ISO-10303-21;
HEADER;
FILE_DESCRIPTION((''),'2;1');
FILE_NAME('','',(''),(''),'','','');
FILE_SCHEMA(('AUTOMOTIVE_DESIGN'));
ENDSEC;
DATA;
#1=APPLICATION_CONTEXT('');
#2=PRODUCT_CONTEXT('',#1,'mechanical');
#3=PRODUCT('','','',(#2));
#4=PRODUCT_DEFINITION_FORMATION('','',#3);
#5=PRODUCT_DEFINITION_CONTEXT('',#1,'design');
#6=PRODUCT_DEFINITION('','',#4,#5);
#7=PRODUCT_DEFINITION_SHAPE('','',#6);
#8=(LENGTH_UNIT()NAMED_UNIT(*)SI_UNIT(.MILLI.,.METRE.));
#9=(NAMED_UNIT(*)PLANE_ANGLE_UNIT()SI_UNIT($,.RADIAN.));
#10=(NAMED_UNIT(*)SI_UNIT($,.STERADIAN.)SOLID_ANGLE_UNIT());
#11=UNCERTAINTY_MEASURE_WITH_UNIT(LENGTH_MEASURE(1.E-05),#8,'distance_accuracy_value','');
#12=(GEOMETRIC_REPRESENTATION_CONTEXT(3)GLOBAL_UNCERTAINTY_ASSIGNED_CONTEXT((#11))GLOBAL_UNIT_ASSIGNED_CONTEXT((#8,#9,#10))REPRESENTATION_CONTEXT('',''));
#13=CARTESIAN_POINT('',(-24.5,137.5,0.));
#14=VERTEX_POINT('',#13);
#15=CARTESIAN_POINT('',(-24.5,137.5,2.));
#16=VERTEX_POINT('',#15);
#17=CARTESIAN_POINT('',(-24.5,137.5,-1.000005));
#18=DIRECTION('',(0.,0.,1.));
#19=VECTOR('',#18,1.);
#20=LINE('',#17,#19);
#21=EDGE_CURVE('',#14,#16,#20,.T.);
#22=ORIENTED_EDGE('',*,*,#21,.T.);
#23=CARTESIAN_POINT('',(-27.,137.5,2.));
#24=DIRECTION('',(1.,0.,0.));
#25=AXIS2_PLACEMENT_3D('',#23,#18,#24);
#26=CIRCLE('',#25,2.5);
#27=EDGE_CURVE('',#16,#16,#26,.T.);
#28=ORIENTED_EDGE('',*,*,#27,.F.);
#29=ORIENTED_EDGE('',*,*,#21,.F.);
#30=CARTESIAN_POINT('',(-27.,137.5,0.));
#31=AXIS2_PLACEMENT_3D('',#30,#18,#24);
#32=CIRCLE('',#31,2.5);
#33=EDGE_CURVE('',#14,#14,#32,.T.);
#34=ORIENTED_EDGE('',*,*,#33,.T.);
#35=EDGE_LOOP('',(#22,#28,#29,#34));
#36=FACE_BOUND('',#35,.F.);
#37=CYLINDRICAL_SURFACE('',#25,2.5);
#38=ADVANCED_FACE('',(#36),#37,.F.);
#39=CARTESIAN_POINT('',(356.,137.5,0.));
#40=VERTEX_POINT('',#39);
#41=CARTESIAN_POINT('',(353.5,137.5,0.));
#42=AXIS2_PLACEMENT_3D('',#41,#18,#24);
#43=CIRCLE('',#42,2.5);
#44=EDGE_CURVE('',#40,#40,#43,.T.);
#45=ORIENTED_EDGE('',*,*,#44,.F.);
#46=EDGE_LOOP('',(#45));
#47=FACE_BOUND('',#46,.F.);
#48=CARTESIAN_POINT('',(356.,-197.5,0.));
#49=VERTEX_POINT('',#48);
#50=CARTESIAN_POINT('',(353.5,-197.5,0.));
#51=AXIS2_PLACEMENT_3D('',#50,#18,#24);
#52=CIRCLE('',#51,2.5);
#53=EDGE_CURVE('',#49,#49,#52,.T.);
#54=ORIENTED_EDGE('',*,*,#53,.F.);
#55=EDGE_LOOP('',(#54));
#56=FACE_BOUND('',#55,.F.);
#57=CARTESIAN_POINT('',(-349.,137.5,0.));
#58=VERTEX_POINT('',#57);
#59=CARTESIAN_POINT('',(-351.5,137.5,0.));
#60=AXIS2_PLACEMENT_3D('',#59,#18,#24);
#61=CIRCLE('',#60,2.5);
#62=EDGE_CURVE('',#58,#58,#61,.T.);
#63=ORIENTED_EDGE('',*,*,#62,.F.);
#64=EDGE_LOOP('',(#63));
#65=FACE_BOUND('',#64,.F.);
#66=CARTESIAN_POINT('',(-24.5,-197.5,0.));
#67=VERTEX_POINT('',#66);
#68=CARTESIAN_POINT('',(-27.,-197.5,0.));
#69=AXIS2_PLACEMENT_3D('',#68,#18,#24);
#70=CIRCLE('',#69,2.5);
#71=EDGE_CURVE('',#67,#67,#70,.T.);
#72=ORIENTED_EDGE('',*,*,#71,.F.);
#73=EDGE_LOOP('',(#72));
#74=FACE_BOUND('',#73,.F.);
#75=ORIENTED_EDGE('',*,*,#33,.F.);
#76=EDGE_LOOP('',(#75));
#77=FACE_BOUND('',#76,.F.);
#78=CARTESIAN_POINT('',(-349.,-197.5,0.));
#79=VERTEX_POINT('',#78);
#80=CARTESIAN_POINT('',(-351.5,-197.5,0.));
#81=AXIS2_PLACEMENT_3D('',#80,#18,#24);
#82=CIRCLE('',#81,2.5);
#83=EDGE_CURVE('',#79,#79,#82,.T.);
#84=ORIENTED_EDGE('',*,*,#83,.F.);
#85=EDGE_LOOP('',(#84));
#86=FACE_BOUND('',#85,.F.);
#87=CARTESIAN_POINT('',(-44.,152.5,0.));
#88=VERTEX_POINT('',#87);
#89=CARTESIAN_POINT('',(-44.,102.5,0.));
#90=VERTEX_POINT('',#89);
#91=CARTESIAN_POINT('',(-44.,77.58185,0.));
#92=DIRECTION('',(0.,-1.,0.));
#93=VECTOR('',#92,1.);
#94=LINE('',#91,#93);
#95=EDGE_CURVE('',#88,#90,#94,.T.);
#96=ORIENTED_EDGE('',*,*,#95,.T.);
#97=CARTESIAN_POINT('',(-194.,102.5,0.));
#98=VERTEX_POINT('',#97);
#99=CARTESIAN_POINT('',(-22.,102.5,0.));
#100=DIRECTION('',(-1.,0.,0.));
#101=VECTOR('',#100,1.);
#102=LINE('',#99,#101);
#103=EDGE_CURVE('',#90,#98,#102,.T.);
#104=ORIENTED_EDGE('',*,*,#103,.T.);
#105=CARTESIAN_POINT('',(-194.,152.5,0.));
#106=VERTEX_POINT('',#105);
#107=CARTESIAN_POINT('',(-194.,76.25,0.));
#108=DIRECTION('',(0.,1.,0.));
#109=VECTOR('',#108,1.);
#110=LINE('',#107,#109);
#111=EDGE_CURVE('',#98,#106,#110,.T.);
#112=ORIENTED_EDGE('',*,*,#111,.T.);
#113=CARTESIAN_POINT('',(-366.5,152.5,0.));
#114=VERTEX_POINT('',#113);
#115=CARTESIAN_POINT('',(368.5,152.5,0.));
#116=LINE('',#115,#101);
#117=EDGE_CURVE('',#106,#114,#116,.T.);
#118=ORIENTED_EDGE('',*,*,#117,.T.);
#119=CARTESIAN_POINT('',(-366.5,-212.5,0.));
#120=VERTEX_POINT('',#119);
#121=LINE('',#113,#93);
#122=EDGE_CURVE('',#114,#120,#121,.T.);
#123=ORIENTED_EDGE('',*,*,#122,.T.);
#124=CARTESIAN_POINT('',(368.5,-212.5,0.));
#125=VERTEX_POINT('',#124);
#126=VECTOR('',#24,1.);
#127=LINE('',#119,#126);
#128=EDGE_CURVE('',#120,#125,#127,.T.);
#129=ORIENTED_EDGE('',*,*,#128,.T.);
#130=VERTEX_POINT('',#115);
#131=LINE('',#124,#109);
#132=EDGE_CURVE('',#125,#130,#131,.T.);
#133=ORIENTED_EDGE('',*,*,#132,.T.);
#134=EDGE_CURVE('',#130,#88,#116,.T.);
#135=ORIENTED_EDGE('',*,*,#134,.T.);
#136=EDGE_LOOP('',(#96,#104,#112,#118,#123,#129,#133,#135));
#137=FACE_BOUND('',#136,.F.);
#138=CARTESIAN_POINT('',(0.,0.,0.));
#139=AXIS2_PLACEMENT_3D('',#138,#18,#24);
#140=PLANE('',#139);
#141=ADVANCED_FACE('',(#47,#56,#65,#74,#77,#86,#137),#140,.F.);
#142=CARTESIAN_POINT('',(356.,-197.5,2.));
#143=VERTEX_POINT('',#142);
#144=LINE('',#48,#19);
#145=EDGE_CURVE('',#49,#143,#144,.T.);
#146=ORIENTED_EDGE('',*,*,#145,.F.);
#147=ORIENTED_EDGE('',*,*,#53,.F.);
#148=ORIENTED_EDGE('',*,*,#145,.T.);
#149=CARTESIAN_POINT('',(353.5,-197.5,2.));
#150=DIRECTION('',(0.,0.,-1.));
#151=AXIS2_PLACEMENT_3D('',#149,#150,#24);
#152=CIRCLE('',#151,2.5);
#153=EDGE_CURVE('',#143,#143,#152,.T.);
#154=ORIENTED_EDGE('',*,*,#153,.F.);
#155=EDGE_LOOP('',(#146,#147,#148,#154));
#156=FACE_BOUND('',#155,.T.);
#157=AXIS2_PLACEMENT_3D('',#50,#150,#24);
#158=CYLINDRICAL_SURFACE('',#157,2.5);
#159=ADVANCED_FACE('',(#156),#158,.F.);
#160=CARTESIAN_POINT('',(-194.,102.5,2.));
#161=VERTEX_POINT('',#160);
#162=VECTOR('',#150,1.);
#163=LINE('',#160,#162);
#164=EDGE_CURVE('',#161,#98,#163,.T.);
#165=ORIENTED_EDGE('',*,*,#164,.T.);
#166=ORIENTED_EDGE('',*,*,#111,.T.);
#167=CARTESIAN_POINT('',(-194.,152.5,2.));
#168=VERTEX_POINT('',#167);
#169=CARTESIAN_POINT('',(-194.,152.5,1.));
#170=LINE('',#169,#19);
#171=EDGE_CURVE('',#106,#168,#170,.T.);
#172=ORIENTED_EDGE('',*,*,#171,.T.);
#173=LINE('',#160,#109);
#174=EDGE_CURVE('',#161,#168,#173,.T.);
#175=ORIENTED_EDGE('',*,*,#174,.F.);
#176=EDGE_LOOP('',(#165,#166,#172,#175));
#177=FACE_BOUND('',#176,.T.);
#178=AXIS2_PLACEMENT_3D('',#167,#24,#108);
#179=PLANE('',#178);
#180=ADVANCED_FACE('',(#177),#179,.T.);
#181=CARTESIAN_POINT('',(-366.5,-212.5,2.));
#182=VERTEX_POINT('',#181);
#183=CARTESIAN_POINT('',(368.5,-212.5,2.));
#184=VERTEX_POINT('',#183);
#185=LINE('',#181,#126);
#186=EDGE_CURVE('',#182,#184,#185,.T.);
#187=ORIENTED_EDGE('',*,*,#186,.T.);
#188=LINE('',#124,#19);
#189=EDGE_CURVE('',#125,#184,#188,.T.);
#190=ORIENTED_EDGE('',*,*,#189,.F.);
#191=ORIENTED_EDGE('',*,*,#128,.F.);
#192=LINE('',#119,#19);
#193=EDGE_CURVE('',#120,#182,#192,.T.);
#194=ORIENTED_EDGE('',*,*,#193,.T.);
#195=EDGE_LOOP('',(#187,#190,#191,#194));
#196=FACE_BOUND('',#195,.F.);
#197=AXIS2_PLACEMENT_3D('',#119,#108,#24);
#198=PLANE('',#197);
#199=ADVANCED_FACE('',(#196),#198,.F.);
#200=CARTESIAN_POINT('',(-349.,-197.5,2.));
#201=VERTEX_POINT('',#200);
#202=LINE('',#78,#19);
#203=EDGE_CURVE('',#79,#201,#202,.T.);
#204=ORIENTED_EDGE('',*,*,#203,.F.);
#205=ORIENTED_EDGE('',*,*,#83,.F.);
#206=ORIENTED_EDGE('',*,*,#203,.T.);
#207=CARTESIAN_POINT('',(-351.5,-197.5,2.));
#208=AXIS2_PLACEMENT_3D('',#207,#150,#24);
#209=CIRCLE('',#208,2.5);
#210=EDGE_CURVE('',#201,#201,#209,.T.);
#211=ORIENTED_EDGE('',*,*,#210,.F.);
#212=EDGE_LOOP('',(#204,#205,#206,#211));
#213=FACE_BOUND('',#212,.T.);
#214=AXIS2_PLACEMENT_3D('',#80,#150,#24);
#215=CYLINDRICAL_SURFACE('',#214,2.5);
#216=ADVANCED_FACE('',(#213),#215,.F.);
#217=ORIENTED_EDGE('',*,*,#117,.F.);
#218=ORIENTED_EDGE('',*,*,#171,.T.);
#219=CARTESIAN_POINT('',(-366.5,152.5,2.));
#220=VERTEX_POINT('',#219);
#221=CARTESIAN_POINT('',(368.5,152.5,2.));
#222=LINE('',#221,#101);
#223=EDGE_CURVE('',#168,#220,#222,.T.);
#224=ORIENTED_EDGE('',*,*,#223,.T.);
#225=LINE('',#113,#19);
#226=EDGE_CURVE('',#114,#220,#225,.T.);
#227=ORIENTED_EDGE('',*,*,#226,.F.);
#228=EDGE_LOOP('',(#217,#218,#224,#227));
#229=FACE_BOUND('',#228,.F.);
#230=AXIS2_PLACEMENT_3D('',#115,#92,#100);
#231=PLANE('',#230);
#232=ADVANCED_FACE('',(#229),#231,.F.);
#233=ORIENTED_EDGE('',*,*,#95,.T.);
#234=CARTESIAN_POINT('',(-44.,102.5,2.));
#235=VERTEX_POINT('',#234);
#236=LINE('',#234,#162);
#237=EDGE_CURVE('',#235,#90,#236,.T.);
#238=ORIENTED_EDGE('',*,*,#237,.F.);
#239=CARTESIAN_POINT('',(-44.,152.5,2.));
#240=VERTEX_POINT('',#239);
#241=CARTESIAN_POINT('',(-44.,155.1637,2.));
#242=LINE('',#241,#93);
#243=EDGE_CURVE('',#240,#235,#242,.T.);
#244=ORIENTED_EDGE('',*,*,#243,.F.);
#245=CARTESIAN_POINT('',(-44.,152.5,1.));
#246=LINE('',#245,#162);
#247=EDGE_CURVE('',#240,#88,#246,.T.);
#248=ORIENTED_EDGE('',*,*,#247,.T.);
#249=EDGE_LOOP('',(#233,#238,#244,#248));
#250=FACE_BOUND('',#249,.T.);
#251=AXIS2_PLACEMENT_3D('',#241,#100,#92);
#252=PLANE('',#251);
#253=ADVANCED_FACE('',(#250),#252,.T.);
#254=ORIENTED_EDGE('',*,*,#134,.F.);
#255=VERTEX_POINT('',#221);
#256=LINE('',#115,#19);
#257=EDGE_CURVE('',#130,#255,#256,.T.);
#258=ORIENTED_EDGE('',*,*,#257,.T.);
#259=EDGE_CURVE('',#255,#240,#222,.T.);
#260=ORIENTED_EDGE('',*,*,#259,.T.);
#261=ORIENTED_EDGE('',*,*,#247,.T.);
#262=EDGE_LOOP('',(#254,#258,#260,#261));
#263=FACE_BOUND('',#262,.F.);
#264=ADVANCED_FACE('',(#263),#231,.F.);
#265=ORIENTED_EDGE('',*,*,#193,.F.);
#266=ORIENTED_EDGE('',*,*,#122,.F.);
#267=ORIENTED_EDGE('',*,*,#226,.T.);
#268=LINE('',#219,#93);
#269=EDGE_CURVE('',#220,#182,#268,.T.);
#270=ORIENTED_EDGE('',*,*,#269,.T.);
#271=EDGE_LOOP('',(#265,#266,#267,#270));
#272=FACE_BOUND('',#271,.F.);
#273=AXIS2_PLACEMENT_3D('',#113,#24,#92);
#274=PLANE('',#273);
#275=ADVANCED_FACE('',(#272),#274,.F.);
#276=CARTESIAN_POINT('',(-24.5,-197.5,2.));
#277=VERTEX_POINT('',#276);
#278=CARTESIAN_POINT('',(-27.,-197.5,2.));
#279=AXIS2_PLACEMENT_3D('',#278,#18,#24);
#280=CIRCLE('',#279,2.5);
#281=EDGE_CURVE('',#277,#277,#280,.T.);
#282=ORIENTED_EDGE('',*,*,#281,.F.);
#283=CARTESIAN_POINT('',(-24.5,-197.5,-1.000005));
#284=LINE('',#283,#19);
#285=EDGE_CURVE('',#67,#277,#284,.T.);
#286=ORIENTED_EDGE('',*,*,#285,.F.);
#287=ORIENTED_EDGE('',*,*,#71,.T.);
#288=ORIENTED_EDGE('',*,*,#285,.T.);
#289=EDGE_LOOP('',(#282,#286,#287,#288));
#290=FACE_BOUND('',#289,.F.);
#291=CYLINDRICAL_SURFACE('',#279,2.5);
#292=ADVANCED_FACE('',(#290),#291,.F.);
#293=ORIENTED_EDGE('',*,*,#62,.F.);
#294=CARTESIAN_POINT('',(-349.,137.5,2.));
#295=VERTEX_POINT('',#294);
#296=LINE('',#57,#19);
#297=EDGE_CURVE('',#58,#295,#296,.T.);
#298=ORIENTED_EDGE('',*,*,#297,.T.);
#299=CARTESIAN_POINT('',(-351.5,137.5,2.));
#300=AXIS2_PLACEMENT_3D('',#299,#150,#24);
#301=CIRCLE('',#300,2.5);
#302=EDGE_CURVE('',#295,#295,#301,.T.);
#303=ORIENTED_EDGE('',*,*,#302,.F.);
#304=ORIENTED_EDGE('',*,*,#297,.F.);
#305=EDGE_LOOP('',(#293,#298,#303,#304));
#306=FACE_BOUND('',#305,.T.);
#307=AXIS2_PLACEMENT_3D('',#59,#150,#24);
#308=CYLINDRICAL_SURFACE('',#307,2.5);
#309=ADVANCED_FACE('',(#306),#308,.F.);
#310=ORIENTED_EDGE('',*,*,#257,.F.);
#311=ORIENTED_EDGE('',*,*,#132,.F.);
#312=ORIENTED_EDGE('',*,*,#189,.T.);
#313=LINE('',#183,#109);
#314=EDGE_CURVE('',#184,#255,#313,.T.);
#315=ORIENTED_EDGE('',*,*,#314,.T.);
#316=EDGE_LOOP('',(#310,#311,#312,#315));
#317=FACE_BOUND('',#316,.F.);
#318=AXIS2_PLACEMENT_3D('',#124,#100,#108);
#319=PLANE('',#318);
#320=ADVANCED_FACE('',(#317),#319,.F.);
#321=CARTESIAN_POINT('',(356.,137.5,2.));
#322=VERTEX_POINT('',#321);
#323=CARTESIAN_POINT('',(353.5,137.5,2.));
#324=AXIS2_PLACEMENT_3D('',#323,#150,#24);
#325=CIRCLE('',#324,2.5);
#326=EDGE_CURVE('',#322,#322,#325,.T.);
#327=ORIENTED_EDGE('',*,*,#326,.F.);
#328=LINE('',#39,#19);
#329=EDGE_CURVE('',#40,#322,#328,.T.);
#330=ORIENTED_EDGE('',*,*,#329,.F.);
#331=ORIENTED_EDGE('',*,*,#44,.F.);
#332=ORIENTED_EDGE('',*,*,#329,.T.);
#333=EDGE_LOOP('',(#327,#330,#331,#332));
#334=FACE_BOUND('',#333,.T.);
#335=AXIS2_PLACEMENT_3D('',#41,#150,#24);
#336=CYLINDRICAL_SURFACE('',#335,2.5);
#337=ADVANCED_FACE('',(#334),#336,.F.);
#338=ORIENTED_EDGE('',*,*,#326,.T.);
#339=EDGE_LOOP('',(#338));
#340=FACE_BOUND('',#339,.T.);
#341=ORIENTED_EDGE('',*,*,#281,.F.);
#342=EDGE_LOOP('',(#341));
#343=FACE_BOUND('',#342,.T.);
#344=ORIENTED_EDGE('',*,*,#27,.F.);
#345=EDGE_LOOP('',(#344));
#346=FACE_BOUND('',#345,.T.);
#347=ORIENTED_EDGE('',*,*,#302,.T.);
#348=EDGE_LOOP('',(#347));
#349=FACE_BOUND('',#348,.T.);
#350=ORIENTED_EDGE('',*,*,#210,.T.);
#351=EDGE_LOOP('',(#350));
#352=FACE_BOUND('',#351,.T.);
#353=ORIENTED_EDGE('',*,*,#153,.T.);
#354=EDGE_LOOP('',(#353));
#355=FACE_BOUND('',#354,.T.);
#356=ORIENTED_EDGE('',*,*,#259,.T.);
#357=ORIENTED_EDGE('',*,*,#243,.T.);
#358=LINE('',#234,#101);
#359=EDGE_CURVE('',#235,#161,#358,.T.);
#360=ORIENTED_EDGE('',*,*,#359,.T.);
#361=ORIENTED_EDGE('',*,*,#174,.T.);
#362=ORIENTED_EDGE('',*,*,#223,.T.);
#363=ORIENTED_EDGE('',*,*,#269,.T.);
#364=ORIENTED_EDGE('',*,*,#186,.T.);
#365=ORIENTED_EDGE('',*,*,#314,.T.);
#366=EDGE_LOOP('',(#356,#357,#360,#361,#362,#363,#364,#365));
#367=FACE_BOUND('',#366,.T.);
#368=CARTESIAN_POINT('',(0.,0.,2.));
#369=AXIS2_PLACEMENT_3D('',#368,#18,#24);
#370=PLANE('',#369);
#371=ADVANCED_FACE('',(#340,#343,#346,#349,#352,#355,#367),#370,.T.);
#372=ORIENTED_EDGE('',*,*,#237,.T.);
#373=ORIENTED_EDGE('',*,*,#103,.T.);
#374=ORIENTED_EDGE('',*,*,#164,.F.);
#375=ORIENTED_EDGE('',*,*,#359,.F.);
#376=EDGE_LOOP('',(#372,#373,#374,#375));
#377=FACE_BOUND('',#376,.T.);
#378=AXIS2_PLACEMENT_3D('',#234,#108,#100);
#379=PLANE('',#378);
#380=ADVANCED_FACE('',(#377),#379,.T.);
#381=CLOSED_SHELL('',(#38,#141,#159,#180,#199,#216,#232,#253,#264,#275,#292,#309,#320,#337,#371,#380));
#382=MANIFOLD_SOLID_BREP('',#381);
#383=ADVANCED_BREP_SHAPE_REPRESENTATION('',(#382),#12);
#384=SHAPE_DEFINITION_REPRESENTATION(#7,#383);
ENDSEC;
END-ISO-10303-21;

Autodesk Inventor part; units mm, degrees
ref_plane "YZ Plane" through (0, 0, 0) normal (1, 0, 0) x (0, 1, 0)
ref_plane "XZ Plane" through (0, 0, 0) normal (0, 1, 0) x (-1, 0, 0)
ref_plane "XY Plane" through (0, 0, 0) normal (0, 0, 1) x (1, 0, 0)
sketch "Esquisse1" plane through (0, 0, 0) normal (0, 0, 1) x (1, 0, 0)
  line L0 (-366.5, -212.5) -> (368.5, -212.5)
  line L1 (368.5, -212.5) -> (368.5, 152.5)
  line L2 (368.5, 152.5) -> (-366.5, 152.5)
  line L3 (-366.5, 152.5) -> (-366.5, -212.5)
  line L4 (-366.5, -212.5) -> (368.5, 152.5) construction
  line L5 (-354, -200) -> (356, -200)
  line L6 (356, -200) -> (356, 140)
  line L7 (356, 140) -> (-354, 140)
  line L8 (-354, 140) -> (-354, -200)
  line L9 (-354, -200) -> (356, 140) construction
  circle A0 centre (-351.5, 137.5) radius 2.5
  circle A1 centre (-351.5, -197.5) radius 2.5
  circle A2 centre (353.5, -197.5) radius 2.5
  circle A3 centre (353.5, 137.5) radius 2.5
  point P0 (-354, -197.5)
  point P1 (-351.5, -200)
  point P2 (353.5, -200)
  point P3 (356, -197.5)
  point P4 (356, 137.5)
  point P5 (353.5, 140)
  point P6 (-354, 137.5)
  point P7 (-351.5, 140)
  dimension "d0" = 735
  dimension "d1" = 365
  dimension "d2" = 12.5
  dimension "d3" = 12.5
  dimension "d4" = 5
  dimension "d7" = 5
  dimension "d8" = 5
  dimension "d9" = 5
  dimension "d75" = 12.5
  dimension "d76" = 12.5
extrude "Extrusion1" add sketch "Esquisse1" along normal blind 2 contours L3 L2 L1 L0 | L8 A1 L5 | A1 L8 A0 L7 A3 L6 A2 L5 | A2 L6 L5 | L8 L7 A0 | A3 L7 L6
sketch "Esquisse3" plane through (0, 0, 2) normal (0, 0, 1) x (1, 0, 0)
  line L0 (-194, 155.1637) -> (-44, 155.1637)
  line L1 (-44, 155.1637) -> (-44, 102.5)
  line L2 (-44, 102.5) -> (-194, 102.5)
  line L3 (-194, 102.5) -> (-194, 155.1637)
  line L4 (368.5, -212.5) -> (368.5, 152.5) projected
  line L5 (368.5, 152.5) -> (-366.5, 152.5) projected
  point P0 (0, 0)
  point P1 (-44, 128.8319)
  dimension "d65" = 412.5
  dimension "d66" = 150
  dimension "d67" = 50
extrude "Extrusion2" cut sketch "Esquisse3" against normal through all
sketch "Esquisse4" plane through (0, 0, 2) normal (0, 0, 1) x (1, 0, 0)
  circle A0 centre (-27, 137.5) radius 2.5
  circle A1 centre (-27, -197.5) radius 2.5
  line L0 (-29.5, 269.4833) -> (-29.5, -384.936)
  line L1 (368.5, -212.5) -> (368.5, 152.5) projected
  circle A2 centre (-351.5, -197.5) radius 2.5 projected
  circle A3 centre (-351.5, 137.5) radius 2.5 projected
  point P0 (0, 0)
  dimension "d68" = 5
  dimension "d69" = 5
  dimension "d70" = 398
  dimension "d71" = 0
  dimension "d72" = 0
extrude "Extrusion3" cut sketch "Esquisse4" along normal through all both and the other way through all contours A0 | A1
properties part number "PlaqueLargeur"
